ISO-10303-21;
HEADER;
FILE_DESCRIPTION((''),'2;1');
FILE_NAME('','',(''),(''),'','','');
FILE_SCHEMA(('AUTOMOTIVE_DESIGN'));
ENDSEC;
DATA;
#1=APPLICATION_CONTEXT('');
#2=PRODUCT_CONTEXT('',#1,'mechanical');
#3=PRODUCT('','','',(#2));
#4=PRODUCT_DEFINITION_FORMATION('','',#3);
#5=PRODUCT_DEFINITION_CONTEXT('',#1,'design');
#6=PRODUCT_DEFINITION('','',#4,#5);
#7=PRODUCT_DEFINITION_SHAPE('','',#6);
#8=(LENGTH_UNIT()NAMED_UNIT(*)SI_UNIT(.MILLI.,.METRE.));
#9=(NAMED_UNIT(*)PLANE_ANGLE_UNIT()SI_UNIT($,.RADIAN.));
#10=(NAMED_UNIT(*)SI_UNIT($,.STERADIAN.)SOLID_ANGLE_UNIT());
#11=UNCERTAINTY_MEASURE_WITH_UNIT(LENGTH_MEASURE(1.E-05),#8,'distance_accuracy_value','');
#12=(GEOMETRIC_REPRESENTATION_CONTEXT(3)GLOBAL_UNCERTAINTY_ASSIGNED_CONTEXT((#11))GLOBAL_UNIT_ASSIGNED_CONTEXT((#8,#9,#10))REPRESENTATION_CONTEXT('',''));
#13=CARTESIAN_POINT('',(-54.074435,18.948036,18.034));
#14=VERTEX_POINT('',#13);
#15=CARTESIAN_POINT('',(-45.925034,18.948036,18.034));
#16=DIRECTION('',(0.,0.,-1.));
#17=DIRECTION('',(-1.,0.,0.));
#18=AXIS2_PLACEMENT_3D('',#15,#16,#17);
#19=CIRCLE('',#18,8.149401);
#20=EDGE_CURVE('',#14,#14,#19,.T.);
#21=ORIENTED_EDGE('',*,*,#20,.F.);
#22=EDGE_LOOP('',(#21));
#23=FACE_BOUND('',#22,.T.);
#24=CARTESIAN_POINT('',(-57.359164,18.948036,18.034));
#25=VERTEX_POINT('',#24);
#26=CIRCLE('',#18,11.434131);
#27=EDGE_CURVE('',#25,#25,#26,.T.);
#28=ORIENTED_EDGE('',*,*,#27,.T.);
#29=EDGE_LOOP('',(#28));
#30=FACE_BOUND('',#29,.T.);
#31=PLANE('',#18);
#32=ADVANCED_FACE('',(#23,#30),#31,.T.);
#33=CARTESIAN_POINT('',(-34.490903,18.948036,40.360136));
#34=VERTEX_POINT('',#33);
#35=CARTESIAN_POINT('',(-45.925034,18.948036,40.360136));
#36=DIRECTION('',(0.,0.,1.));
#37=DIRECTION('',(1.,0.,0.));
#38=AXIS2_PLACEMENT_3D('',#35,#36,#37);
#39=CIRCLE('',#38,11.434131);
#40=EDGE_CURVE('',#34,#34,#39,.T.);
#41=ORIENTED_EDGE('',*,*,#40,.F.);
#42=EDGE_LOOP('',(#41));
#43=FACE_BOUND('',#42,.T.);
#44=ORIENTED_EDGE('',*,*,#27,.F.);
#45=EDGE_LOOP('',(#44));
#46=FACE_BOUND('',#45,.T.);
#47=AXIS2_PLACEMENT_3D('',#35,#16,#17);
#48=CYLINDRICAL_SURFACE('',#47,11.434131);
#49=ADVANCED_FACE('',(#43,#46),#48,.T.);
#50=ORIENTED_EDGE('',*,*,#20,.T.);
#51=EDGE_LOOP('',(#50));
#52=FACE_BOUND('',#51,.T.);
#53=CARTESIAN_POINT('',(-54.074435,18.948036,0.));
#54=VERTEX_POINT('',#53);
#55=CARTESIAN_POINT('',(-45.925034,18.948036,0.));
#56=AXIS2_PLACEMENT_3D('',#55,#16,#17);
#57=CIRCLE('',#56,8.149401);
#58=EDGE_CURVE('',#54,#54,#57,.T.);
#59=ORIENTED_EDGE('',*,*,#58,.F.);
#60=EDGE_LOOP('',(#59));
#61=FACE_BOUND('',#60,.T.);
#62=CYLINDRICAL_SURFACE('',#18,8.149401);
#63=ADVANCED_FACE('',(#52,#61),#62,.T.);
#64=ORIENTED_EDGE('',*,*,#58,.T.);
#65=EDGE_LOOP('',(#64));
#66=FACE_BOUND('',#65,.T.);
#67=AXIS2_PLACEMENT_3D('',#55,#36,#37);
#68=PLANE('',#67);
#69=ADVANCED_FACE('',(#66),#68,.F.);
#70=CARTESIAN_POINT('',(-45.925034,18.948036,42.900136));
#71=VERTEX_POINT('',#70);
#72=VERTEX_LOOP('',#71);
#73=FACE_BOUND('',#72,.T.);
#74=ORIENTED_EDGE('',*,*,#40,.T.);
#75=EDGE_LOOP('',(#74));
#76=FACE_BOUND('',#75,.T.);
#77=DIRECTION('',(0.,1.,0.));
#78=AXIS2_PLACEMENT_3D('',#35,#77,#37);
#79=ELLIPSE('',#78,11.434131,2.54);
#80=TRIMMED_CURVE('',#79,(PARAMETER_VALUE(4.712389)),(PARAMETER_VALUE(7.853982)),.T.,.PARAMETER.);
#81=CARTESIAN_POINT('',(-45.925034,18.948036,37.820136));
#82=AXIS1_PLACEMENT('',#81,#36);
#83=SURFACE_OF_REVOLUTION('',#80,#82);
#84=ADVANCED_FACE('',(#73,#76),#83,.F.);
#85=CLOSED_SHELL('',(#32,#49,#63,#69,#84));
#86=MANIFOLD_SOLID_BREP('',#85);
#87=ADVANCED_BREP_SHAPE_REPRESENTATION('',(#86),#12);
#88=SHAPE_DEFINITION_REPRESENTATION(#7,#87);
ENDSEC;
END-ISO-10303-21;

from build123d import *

# Parameters (mm, degrees)
SKETCH1_R          = 11.43413059
BASE_EXTRUDE_DEPTH = 40.360136162
DOME1_FACE_RADIUS  = 11.43413059
DOME1_HEIGHT       = 2.54
SKETCH2_OUTSIDE_W  = 35.612
SKETCH2_OUTSIDE_H  = 35.612
SKETCH2_OUTSIDE_R  = 8.14940086
CUT_EXTRUDE1_DEPTH = 18.034


with BuildPart() as part:
    # Sketch1 → Base-Extrude (new body)
    with BuildSketch(Plane.XY):
        with Locations((-45.925033829, 18.948035519)):
            Circle(SKETCH1_R)
    extrude(amount=BASE_EXTRUDE_DEPTH)

    # Dome1: an elliptical dome of height H over a round flat face of radius A is half a spheroid: the quarter ellipse of half axes A and H revolved about the face's axis
    with BuildSketch(Plane((-45.925033829, 18.948035519, 40.360136162), x_dir=(0, 1, 0), z_dir=(1, 0, 0)), mode=Mode.PRIVATE) as dome1_quarter:
        Ellipse(DOME1_FACE_RADIUS, DOME1_HEIGHT)
        Rectangle(DOME1_FACE_RADIUS, DOME1_HEIGHT, align=(Align.MIN, Align.MIN), mode=Mode.INTERSECT)
    revolve(dome1_quarter.sketch, axis=Axis((-45.925033829, 18.948035519, 40.360136162), (0, 0, 1)))

    # Sketch2 outside → Cut-Extrude1 (cut)
    with BuildSketch(Plane(origin=(0, 0, 0), x_dir=(-1, 0, 0), z_dir=(0, 0, -1))):
        with Locations((45.925, 18.948)):
            Rectangle(SKETCH2_OUTSIDE_W, SKETCH2_OUTSIDE_H)
        with Locations((45.925033829, 18.948035519)):
            Circle(SKETCH2_OUTSIDE_R, mode=Mode.SUBTRACT)
    extrude(amount=-CUT_EXTRUDE1_DEPTH, mode=Mode.SUBTRACT)


solid = part.part
